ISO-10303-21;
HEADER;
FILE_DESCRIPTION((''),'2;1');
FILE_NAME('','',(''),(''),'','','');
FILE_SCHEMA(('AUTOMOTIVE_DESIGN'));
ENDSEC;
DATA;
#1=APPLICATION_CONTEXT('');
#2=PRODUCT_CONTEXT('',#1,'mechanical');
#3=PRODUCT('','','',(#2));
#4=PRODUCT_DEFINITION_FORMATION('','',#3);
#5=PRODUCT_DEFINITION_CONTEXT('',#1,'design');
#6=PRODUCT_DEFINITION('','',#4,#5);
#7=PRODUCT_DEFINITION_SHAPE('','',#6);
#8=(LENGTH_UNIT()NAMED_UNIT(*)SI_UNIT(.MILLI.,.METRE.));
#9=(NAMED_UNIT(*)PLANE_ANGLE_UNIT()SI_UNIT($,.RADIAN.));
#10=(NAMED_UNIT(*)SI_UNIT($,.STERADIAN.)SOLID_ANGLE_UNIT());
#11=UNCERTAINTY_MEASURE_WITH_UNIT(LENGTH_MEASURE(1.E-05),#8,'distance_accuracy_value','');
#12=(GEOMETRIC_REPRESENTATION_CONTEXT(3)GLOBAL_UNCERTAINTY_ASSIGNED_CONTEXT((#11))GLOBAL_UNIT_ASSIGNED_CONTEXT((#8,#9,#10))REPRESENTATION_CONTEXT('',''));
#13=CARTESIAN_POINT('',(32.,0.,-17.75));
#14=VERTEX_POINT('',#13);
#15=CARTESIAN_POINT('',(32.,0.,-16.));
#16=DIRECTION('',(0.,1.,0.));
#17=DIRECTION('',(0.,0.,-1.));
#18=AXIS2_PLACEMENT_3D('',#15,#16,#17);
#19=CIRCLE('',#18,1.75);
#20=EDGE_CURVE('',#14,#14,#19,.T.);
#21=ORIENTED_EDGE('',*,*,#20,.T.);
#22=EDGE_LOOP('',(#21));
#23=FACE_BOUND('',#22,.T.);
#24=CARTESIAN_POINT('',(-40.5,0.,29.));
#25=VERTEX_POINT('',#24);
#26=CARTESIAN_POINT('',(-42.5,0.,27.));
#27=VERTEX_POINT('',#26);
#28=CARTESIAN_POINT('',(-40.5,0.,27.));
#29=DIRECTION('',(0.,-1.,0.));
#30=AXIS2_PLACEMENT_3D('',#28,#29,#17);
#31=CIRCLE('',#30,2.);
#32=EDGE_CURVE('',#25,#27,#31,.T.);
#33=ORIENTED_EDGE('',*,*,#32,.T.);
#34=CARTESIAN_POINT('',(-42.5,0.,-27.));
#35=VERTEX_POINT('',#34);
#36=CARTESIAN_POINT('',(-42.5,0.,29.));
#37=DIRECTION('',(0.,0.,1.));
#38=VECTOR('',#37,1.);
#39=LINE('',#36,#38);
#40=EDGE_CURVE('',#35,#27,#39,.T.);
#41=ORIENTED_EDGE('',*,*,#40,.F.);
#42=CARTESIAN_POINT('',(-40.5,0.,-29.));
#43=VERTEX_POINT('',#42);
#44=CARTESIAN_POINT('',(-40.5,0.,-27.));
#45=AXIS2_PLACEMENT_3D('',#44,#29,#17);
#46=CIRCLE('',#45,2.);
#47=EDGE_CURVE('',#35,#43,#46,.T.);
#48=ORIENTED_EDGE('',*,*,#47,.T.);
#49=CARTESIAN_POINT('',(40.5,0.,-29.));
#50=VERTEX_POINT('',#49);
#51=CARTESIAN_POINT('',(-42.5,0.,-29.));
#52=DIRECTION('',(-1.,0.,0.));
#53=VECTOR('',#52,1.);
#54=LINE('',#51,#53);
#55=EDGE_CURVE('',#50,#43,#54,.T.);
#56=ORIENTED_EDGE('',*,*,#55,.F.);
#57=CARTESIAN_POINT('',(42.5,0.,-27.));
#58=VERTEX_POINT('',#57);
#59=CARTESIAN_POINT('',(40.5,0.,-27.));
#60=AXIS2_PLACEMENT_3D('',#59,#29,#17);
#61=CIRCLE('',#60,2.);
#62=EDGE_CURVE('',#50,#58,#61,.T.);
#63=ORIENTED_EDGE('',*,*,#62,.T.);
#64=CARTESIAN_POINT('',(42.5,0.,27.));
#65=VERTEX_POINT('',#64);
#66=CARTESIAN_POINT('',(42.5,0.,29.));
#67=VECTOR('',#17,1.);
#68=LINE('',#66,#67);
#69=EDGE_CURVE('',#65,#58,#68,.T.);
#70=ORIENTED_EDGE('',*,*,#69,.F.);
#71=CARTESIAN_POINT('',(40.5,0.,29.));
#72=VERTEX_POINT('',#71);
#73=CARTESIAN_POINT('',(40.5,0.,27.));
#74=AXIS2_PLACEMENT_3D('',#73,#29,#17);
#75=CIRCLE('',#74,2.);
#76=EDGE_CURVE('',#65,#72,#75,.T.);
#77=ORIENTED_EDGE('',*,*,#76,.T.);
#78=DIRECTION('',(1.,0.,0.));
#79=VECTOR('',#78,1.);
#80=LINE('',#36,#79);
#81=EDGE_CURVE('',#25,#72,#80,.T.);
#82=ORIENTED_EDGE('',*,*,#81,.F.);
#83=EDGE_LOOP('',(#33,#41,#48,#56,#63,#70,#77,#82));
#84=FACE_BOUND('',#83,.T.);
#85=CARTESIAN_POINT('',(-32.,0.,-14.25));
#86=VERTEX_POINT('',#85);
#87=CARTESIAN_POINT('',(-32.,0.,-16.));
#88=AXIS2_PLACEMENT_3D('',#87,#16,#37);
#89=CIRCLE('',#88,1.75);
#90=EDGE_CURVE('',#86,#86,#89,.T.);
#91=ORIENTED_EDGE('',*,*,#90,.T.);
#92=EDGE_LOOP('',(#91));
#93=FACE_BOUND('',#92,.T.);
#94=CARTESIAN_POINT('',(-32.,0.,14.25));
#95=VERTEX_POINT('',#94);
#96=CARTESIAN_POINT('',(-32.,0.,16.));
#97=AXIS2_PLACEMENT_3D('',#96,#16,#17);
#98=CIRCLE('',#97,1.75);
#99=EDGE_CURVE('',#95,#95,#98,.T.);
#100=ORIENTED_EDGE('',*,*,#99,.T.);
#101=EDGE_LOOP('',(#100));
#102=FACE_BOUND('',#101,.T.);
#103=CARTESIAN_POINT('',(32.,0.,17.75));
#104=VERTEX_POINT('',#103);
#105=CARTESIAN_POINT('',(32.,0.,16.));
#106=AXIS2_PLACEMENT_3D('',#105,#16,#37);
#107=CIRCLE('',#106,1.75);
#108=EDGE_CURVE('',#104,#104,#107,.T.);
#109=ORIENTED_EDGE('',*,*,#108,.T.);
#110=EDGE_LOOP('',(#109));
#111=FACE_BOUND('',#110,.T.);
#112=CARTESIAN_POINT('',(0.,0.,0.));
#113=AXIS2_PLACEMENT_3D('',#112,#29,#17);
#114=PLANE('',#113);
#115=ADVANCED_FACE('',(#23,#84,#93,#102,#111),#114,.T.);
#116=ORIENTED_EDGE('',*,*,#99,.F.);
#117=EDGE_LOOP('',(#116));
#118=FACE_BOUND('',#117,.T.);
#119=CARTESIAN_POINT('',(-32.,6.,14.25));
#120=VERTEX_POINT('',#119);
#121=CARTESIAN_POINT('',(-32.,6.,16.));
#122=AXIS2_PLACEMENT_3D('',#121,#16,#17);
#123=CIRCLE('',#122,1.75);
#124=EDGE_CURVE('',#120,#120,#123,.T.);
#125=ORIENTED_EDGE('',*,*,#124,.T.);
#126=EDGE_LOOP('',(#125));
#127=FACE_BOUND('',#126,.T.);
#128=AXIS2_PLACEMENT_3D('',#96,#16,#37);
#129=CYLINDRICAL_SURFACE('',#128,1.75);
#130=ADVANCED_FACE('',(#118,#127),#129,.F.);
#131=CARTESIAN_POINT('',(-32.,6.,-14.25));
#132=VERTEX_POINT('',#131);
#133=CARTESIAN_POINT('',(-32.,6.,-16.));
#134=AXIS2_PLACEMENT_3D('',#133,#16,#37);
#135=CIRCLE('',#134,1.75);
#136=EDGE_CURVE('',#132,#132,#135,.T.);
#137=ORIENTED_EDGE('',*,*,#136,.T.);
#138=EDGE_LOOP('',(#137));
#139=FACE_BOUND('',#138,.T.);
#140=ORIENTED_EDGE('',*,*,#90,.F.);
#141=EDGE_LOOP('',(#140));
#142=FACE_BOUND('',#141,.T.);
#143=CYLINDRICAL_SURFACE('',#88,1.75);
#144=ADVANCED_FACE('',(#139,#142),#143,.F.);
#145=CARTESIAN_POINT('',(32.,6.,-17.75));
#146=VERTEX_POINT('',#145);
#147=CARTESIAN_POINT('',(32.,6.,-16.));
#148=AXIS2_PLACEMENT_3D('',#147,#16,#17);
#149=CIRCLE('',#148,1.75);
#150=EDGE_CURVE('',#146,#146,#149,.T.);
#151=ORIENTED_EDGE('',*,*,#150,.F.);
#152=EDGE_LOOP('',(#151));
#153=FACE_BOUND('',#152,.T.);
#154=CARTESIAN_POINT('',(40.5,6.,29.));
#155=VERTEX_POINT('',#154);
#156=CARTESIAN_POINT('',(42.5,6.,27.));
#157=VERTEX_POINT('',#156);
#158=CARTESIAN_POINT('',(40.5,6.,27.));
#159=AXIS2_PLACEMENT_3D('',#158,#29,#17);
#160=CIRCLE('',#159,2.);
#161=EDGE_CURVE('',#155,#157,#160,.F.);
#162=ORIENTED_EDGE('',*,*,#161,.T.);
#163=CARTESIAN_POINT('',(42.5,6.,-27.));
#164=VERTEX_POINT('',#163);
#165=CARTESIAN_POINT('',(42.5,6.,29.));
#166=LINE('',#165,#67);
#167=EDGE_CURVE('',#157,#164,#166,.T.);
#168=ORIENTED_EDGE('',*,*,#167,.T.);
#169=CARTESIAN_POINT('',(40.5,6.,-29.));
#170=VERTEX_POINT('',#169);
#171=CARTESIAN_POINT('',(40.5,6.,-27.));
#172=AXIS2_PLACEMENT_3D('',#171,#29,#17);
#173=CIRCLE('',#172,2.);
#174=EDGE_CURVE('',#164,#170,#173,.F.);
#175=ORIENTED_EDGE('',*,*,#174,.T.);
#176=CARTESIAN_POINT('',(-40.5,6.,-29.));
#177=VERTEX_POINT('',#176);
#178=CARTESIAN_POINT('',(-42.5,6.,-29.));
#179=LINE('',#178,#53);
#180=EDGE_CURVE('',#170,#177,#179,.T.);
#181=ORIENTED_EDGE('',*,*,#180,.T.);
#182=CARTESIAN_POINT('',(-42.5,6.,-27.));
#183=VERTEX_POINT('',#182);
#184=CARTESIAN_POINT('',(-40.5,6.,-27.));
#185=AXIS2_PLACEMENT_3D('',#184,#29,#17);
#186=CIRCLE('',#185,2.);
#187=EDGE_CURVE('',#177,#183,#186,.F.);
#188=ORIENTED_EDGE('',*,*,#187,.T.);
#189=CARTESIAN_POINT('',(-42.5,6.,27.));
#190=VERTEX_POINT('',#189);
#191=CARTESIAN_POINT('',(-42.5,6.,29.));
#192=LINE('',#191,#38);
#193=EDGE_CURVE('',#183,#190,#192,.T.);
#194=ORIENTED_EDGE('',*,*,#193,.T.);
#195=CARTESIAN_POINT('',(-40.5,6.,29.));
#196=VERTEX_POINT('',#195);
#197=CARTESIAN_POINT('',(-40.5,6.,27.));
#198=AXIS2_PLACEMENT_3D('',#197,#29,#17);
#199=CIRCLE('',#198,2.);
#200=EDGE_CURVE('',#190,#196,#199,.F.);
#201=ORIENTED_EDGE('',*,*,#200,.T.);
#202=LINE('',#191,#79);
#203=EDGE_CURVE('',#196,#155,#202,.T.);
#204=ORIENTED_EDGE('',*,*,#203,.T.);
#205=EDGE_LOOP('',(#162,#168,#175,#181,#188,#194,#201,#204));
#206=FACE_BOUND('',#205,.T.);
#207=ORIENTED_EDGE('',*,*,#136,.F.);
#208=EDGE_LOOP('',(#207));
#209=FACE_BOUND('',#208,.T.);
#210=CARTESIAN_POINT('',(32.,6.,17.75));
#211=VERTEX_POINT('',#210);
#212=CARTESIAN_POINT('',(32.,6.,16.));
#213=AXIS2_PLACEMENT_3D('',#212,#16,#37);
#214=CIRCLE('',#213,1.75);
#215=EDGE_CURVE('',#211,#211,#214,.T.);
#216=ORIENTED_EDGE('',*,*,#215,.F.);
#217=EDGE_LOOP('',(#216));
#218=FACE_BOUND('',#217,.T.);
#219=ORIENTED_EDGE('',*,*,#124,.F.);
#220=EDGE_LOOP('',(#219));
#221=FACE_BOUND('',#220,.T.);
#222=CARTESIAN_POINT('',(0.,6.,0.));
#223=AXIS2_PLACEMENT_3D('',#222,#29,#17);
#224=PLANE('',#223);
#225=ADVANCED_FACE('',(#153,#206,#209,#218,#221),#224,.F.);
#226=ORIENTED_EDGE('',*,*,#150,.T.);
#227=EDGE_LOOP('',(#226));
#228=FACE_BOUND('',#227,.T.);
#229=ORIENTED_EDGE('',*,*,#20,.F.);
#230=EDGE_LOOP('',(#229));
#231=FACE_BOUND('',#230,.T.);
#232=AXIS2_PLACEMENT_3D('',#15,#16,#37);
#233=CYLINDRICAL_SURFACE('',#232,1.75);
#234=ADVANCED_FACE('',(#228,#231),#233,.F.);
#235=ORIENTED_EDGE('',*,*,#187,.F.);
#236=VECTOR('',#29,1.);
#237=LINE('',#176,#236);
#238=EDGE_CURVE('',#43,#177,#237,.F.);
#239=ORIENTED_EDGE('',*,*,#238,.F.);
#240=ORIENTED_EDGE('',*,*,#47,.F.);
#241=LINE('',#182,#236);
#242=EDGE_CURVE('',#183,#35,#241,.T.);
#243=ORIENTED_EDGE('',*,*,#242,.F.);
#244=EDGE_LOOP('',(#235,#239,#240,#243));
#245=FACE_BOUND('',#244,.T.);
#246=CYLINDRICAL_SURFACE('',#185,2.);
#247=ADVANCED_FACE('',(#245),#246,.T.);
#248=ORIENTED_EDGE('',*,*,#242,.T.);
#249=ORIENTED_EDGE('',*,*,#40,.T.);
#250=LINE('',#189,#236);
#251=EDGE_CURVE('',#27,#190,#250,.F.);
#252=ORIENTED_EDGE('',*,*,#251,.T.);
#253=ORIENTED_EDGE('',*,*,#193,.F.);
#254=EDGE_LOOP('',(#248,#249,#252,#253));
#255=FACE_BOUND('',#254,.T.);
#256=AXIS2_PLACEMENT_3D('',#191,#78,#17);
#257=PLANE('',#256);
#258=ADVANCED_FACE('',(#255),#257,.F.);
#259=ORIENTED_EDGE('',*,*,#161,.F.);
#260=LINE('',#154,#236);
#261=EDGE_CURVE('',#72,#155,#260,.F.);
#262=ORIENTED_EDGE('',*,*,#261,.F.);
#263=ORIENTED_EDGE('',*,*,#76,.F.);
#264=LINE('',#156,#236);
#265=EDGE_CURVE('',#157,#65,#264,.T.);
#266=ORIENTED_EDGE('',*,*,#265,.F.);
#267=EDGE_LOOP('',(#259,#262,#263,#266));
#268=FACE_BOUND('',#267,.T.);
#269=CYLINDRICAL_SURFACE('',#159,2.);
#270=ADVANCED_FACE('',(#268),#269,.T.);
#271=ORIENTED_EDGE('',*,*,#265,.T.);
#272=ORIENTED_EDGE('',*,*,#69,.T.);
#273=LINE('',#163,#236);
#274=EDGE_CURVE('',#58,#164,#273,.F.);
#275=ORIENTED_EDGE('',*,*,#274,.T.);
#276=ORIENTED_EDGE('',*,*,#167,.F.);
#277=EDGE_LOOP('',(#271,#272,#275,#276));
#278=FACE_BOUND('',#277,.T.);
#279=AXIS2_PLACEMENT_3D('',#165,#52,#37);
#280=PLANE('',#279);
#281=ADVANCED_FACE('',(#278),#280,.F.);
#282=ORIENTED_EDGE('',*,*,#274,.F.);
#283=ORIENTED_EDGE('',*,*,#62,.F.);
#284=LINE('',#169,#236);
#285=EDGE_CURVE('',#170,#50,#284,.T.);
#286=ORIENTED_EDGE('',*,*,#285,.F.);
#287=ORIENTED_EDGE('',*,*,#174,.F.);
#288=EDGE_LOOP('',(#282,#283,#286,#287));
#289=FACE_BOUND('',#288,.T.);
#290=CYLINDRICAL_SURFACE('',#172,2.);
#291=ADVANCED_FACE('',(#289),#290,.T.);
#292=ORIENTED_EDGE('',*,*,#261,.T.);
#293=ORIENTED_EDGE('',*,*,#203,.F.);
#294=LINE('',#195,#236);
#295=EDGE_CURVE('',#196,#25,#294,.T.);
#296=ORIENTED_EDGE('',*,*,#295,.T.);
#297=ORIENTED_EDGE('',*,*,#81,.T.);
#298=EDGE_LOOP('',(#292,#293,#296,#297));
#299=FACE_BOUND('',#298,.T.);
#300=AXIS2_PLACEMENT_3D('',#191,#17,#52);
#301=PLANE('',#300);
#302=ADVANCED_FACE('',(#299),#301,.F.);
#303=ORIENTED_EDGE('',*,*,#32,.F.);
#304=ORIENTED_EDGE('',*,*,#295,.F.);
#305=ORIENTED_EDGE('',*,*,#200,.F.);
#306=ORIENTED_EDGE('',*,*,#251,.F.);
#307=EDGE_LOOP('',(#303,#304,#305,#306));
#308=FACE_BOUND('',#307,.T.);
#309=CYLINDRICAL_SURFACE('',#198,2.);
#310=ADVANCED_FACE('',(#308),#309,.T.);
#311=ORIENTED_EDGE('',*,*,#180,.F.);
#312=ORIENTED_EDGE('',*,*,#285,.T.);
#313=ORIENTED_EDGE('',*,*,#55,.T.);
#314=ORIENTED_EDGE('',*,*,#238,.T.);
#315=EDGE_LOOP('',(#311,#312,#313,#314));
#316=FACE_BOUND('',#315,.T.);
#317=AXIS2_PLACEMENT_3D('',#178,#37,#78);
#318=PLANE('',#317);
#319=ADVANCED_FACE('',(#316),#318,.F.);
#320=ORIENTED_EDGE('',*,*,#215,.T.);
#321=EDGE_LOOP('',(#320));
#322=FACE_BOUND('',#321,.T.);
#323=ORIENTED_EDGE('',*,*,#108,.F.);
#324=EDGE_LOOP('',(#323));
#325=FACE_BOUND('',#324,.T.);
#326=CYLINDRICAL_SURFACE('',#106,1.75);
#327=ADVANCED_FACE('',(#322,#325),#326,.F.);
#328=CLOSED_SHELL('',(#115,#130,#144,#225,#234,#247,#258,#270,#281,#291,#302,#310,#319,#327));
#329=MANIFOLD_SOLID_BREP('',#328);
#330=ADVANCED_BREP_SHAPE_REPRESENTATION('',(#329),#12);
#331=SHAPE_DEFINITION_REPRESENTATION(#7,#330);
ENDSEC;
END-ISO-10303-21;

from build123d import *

# Parameters (mm, degrees)
SKETCH_1_W          = 85
SKETCH_1_H          = 58
EXTRUDE_1_DEPTH     = 6
FILLET_1_R          = 2
SKETCH_2_R          = 1.75
CUT_EXTRUDE_1_DEPTH = 6


with BuildPart() as part:
    # 草图1 → 凸台-拉伸1 (new body)
    with BuildSketch(Plane(origin=(0, 0, 0), x_dir=(1, 0, 0), z_dir=(0, 1, 0))):
        Rectangle(SKETCH_1_W, SKETCH_1_H)
    extrude(amount=EXTRUDE_1_DEPTH)

    # 圆角1
    fillet_1_edges = [part.edges().sort_by_distance(p)[0] for p in [
        (42.5, 3, 29),
        (-42.5, 3, 29),
        (-42.5, 3, -29),
        (42.5, 3, -29),
    ]]
    fillet(fillet_1_edges, radius=FILLET_1_R)

    # 草图2 → 切除-拉伸1 (cut)
    with BuildSketch(Plane(origin=(0, 6, 0), x_dir=(1, 0, 0), z_dir=(0, 1, 0))):
        with Locations(Location((-32, 16, 0), (0, 0, 270))):
            Circle(SKETCH_2_R)
        with Locations(Location((32, 16, 0), (0, 0, 90))):
            Circle(SKETCH_2_R)
        with Locations(Location((32, -16, 0), (0, 0, 270))):
            Circle(SKETCH_2_R)
        with Locations(Location((-32, -16, 0), (0, 0, 90))):
            Circle(SKETCH_2_R)
    extrude(amount=-CUT_EXTRUDE_1_DEPTH, mode=Mode.SUBTRACT)


solid = part.part
